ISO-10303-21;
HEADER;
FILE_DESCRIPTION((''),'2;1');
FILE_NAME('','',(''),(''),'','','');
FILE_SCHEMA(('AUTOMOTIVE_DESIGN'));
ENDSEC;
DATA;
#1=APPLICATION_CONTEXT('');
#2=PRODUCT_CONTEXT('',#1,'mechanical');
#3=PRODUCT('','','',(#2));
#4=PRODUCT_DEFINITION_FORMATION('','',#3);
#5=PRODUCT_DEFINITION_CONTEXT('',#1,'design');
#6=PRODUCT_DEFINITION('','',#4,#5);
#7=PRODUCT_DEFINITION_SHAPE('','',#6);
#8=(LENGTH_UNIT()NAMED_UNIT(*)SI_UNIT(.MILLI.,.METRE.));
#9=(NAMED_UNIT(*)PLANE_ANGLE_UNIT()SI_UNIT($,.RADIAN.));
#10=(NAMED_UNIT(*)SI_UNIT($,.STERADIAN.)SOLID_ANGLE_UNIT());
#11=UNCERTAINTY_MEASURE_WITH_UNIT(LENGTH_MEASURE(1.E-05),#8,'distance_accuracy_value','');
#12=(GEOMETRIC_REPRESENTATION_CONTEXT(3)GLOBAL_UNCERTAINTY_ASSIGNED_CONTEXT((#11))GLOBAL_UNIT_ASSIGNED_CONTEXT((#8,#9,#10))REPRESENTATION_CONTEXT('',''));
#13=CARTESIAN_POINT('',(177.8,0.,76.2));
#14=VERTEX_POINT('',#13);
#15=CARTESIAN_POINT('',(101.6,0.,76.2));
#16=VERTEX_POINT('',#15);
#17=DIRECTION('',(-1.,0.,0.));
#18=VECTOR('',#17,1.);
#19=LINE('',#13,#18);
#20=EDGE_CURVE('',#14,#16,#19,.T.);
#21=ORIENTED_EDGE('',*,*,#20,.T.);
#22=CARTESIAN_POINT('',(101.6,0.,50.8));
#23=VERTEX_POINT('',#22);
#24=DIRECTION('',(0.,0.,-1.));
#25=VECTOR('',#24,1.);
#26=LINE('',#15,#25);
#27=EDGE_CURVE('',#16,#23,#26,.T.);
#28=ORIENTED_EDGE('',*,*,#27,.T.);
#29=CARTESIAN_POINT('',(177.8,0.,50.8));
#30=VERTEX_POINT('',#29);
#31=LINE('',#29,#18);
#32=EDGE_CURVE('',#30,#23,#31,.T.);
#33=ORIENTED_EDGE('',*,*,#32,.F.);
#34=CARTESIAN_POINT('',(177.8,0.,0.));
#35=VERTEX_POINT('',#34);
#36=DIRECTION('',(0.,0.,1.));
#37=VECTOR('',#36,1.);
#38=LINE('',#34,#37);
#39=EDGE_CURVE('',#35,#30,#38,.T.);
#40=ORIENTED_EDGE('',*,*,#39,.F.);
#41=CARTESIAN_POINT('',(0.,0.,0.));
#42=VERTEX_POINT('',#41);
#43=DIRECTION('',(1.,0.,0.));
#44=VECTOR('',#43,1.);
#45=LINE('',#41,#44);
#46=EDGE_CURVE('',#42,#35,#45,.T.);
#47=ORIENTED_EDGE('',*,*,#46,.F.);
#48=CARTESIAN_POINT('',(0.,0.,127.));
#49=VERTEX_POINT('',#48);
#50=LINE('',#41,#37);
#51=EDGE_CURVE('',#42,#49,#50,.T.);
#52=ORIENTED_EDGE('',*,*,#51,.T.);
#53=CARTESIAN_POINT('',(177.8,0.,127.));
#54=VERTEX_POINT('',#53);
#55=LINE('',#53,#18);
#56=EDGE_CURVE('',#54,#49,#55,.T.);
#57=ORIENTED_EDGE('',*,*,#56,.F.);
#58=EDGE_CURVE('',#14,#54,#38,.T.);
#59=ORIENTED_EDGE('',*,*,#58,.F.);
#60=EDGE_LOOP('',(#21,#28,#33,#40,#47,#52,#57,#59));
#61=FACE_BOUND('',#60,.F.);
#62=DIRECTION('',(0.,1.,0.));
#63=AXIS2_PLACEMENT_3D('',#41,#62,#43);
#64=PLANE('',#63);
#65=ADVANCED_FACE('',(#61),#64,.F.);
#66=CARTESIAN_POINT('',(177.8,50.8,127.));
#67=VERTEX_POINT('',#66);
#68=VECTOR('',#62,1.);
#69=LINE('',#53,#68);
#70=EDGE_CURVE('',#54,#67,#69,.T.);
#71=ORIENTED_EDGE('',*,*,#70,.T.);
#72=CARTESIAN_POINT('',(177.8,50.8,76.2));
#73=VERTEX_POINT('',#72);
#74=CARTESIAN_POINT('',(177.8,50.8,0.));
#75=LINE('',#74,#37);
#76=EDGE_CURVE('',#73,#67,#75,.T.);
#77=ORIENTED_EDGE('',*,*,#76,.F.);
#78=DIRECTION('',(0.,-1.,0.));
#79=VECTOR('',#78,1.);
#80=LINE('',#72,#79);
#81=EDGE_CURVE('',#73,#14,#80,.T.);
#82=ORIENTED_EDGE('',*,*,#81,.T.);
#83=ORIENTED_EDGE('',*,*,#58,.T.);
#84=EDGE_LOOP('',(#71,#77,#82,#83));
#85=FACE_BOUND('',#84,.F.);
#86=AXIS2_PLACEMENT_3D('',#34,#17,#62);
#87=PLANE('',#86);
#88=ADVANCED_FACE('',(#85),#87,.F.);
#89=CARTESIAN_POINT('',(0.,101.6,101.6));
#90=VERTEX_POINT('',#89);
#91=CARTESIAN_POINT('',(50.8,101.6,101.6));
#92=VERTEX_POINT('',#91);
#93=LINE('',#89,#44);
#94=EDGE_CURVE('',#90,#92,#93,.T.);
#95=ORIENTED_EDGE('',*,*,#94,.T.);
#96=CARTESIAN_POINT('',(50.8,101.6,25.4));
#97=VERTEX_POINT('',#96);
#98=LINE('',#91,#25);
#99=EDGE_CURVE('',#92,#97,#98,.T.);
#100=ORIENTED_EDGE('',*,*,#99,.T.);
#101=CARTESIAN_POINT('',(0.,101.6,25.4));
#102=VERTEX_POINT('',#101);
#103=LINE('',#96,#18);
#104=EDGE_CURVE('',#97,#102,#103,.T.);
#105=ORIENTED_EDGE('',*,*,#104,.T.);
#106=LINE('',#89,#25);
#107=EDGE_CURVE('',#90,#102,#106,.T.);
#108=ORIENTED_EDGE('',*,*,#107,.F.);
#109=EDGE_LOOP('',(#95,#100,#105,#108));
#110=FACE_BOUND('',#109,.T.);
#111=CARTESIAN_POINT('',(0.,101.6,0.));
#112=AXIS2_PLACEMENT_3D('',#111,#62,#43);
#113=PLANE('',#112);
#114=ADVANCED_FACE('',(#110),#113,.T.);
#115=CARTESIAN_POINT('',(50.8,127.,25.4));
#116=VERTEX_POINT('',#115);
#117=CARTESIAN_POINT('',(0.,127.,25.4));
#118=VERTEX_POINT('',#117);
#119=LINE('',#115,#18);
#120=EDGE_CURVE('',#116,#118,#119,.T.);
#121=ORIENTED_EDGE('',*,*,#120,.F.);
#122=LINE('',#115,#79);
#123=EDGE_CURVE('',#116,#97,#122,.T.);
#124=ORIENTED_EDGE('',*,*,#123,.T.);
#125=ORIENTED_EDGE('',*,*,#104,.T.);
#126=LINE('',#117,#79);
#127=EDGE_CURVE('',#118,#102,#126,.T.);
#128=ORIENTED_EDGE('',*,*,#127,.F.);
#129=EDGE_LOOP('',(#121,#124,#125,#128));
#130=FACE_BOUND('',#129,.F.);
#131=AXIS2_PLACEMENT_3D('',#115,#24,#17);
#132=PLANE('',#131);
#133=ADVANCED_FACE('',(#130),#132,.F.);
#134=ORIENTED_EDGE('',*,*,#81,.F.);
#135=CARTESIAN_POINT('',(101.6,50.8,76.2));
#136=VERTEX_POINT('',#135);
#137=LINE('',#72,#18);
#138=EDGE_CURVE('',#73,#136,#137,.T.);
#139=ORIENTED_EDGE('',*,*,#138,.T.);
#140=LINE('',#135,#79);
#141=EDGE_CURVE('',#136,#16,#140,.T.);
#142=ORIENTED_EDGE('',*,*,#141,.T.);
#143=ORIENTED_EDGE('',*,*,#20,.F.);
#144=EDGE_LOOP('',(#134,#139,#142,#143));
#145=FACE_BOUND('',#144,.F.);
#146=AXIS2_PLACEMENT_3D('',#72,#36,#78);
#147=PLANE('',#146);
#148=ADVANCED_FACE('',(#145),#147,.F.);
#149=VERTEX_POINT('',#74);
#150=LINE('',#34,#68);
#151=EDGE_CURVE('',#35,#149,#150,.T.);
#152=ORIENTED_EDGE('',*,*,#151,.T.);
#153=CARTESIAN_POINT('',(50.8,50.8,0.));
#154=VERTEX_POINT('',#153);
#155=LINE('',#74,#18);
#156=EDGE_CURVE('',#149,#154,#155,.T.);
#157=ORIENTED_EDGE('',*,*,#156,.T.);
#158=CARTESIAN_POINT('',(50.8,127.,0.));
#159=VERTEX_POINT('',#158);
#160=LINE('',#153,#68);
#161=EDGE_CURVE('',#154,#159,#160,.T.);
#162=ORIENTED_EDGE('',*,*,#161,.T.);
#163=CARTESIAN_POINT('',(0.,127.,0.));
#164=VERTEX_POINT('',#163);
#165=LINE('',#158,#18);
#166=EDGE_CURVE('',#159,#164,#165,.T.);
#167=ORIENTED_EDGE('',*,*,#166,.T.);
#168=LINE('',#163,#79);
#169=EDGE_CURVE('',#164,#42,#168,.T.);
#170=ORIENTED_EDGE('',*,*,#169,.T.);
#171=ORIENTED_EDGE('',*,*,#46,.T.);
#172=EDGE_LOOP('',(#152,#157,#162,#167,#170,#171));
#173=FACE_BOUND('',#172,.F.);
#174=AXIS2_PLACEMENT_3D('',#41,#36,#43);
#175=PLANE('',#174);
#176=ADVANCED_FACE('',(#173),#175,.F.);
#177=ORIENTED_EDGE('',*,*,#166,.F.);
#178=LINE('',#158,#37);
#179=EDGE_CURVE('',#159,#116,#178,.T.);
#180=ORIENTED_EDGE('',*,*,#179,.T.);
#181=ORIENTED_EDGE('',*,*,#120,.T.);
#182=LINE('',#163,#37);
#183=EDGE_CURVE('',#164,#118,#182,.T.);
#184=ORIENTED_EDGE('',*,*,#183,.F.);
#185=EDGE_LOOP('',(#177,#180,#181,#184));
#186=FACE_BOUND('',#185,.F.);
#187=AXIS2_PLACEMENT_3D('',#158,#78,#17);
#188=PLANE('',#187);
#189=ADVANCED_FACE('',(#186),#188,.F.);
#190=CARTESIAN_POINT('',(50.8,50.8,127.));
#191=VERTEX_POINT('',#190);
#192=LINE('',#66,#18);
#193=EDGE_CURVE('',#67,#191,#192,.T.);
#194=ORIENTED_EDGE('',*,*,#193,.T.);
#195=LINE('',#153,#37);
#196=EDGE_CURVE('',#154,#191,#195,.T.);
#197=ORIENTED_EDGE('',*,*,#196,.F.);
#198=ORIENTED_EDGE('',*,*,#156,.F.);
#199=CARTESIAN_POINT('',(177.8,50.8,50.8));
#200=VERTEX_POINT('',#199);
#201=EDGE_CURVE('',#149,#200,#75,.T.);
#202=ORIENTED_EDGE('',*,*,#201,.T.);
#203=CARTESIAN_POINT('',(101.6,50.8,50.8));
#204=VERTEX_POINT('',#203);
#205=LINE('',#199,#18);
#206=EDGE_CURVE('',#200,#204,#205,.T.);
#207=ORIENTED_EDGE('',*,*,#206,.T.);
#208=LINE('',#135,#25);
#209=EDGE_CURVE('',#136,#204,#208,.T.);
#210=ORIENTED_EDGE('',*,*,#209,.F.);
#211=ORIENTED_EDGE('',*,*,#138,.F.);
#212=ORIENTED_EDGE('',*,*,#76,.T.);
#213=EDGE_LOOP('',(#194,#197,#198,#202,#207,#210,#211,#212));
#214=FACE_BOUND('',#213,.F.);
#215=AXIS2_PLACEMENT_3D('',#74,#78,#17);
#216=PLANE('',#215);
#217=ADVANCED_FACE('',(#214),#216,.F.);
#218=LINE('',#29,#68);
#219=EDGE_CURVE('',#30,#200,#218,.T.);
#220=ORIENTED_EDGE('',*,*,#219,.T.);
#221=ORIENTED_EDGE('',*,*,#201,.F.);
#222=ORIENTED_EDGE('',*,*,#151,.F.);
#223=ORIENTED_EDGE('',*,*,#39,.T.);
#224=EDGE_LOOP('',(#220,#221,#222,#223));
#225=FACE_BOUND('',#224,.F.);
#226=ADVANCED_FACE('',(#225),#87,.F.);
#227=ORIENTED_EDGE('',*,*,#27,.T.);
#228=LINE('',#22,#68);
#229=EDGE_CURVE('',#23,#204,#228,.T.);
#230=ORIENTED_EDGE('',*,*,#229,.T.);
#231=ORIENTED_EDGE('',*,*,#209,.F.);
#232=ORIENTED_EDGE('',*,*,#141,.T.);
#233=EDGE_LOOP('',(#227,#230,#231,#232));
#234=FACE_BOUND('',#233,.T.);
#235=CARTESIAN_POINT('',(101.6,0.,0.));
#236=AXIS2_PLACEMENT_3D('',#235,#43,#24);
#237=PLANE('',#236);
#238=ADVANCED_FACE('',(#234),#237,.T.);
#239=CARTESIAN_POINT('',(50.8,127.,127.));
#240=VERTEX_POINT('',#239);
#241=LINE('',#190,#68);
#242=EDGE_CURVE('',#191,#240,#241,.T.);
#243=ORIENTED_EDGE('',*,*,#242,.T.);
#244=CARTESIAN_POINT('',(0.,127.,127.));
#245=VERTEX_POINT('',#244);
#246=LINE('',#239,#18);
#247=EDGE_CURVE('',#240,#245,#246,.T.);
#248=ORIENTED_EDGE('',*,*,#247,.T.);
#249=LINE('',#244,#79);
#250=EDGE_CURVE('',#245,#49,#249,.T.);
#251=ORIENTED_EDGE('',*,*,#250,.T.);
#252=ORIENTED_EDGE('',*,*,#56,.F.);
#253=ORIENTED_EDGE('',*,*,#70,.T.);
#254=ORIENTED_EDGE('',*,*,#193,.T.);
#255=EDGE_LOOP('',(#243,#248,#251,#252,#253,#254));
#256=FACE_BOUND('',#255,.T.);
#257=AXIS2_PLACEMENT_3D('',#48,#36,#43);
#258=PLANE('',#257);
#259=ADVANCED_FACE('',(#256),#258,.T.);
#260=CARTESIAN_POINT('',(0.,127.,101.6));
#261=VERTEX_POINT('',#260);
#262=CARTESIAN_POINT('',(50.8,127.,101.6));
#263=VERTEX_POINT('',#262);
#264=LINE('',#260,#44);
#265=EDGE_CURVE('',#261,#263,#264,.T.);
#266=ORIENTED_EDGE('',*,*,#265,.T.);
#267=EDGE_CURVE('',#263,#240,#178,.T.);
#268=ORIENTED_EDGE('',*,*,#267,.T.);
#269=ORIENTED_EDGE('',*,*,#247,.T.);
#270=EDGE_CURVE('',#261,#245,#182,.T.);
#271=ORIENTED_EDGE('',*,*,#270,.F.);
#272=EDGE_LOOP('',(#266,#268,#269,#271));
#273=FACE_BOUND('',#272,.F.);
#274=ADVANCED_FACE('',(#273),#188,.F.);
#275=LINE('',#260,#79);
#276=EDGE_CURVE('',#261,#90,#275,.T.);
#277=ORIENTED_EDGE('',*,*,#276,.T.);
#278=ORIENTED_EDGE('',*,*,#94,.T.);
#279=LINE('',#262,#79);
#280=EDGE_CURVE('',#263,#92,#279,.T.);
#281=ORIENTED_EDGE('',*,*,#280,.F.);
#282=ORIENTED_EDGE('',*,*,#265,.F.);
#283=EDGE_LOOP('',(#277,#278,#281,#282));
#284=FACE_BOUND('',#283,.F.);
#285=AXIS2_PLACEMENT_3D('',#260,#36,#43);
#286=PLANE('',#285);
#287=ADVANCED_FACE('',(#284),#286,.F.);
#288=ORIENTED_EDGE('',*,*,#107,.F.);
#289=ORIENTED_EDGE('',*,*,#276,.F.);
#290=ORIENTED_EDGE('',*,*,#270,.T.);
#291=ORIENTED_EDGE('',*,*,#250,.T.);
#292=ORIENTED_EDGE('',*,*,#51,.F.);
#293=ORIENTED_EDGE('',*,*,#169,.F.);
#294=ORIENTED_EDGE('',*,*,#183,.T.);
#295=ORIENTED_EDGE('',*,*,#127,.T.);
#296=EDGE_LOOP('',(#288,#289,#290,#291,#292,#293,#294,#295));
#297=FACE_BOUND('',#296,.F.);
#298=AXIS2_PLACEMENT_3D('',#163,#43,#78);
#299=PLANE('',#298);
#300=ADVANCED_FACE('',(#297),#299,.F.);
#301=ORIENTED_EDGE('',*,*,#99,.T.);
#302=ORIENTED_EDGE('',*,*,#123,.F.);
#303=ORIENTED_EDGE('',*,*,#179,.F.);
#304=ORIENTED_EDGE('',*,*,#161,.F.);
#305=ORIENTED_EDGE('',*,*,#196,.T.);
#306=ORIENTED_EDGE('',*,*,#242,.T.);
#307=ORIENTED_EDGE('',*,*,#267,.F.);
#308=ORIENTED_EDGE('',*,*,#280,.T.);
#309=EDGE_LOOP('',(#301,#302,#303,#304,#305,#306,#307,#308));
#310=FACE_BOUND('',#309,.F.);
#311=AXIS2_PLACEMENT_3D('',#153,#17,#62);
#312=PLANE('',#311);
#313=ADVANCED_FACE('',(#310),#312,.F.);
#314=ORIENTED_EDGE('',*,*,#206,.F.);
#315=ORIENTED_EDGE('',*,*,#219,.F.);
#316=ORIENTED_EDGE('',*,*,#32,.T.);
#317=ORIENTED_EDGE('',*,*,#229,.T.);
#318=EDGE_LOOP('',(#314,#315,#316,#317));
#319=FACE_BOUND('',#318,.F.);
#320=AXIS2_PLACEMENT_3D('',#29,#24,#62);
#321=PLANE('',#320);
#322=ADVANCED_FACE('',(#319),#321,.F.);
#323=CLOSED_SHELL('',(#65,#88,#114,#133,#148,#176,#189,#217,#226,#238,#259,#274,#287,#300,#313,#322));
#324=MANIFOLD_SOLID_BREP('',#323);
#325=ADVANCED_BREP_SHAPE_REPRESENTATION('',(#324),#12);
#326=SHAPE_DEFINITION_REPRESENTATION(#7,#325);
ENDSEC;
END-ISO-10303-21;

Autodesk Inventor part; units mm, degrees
ref_plane "YZ Plane" through (0, 0, 0) normal (1, 0, 0) x (0, 1, 0)
ref_plane "XZ Plane" through (0, 0, 0) normal (0, 1, 0) x (-1, 0, 0)
ref_plane "XY Plane" through (0, 0, 0) normal (0, 0, 1) x (1, 0, 0)
sketch "Sketch1" plane through (0, 0, 0) normal (0, 0, 1) x (1, 0, 0)
  line L0 (0, 0) -> (9.2453, 0)
  line L1 (0, 0) -> (177.8, 0)
  line L2 (177.8, 0) -> (177.8, 50.8)
  line L3 (177.8, 50.8) -> (50.8, 50.8)
  line L4 (50.8, 50.8) -> (50.8, 127)
  line L5 (50.8, 127) -> (0, 127)
  line L6 (0, 127) -> (0, 0)
  dimension "d0" = 177.8
  dimension "d1" = 50.8
  dimension "d2" = 127
  dimension "d3" = 76.2
  dimension "d4" = 50.8
extrude "Extrusion1" add sketch "Sketch1" along normal blind 127
sketch "Sketch2" plane through (177.8, 0, 0) normal (1, 0, 0) x (0, 0, -1)
  line L0 (0, 50.8) -> (-127, 50.8) projected
  line L1 (-63.5, 50.8) -> (-50.8, 50.8)
  line L2 (-50.8, 50.8) -> (-76.2, 50.8)
  line L3 (-76.2, 50.8) -> (-76.2, 0)
  line L4 (-76.2, 0) -> (-50.8, 0)
  line L5 (-50.8, 0) -> (-50.8, 50.8)
  point P0 (0, 0)
  dimension "d7" = 12.7
  dimension "d8" = 25.4
  dimension "d9" = 50.8
extrude "Extrusion2" cut sketch "Sketch2" against normal blind 76.2
sketch "Sketch3" plane through (0, 127, 0) normal (0, 1, 0) x (1, 0, 0)
  line L0 (0, 0) -> (0, -127) projected
  line L1 (0, -63.5) -> (0, -101.6)
  line L2 (0, -101.6) -> (50.8, -101.6)
  line L3 (50.8, -101.6) -> (50.8, -25.4)
  line L4 (50.8, -25.4) -> (0, -25.4)
  line L5 (0, -25.4) -> (0, -101.6)
  dimension "d12" = 38.1
  dimension "d13" = 50.8
  dimension "d14" = 76.2
extrude "Extrusion3" cut sketch "Sketch3" against normal blind 25.4
properties part number "10-18-19 A"
